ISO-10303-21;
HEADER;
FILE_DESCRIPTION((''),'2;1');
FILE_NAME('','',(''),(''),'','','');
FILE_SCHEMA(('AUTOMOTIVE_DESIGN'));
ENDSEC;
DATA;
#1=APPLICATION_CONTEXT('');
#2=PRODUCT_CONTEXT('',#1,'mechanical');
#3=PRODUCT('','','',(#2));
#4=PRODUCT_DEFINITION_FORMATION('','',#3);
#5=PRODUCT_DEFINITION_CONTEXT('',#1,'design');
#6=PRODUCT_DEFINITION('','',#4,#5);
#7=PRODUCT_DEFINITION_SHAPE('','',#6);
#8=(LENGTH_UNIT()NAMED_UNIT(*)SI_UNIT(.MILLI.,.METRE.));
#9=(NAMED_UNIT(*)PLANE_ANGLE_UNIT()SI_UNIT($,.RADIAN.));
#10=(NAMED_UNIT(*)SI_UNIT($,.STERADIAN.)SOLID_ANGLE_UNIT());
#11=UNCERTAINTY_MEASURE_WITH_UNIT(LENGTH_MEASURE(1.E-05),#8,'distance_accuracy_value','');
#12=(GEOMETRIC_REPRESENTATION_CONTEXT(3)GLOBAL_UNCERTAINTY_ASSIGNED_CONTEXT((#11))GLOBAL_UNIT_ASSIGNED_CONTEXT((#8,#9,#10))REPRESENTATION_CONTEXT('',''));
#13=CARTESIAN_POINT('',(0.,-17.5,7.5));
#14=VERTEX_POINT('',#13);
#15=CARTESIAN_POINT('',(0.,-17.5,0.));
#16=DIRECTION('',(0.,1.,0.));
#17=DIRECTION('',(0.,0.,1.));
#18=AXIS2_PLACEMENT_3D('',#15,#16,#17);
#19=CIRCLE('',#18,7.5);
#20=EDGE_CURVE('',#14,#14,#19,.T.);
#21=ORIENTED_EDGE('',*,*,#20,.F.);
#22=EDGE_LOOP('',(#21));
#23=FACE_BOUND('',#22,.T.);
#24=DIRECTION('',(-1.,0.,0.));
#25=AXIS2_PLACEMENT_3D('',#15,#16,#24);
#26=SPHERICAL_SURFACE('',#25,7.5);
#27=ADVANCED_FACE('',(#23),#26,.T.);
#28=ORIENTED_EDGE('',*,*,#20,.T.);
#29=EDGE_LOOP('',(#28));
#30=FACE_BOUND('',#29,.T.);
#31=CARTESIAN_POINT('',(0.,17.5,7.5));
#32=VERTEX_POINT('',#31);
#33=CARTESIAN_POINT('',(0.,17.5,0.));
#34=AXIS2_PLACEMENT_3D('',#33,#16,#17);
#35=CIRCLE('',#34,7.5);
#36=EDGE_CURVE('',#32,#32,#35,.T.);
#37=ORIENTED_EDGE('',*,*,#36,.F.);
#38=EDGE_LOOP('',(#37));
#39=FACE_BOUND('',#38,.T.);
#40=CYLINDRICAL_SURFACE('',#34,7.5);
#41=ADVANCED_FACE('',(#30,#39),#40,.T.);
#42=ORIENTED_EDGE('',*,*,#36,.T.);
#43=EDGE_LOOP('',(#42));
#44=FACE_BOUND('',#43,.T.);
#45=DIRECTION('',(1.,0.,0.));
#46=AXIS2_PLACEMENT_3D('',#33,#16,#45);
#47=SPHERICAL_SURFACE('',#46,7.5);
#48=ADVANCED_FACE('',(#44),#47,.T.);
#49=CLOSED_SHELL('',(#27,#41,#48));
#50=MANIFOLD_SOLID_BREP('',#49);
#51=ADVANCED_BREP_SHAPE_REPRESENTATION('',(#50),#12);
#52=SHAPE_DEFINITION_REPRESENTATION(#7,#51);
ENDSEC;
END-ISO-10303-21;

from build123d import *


with BuildPart() as part:
    # Sketch2 → Revolve6 (revolve)
    with BuildSketch(Plane.XY):
        with BuildLine():
            Line((7.5, -17.5), (7.5, 17.5))
            ThreePointArc((7.5, 17.5), (5.303300859, 22.803300859), (0, 25))
            Line((0, 25), (0, -25))
            ThreePointArc((0, -25), (5.303300859, -22.803300859), (7.5, -17.5))
        make_face()
    revolve(axis=Axis((0, 17.5, 0), (0, -1, 0)))


solid = part.part
